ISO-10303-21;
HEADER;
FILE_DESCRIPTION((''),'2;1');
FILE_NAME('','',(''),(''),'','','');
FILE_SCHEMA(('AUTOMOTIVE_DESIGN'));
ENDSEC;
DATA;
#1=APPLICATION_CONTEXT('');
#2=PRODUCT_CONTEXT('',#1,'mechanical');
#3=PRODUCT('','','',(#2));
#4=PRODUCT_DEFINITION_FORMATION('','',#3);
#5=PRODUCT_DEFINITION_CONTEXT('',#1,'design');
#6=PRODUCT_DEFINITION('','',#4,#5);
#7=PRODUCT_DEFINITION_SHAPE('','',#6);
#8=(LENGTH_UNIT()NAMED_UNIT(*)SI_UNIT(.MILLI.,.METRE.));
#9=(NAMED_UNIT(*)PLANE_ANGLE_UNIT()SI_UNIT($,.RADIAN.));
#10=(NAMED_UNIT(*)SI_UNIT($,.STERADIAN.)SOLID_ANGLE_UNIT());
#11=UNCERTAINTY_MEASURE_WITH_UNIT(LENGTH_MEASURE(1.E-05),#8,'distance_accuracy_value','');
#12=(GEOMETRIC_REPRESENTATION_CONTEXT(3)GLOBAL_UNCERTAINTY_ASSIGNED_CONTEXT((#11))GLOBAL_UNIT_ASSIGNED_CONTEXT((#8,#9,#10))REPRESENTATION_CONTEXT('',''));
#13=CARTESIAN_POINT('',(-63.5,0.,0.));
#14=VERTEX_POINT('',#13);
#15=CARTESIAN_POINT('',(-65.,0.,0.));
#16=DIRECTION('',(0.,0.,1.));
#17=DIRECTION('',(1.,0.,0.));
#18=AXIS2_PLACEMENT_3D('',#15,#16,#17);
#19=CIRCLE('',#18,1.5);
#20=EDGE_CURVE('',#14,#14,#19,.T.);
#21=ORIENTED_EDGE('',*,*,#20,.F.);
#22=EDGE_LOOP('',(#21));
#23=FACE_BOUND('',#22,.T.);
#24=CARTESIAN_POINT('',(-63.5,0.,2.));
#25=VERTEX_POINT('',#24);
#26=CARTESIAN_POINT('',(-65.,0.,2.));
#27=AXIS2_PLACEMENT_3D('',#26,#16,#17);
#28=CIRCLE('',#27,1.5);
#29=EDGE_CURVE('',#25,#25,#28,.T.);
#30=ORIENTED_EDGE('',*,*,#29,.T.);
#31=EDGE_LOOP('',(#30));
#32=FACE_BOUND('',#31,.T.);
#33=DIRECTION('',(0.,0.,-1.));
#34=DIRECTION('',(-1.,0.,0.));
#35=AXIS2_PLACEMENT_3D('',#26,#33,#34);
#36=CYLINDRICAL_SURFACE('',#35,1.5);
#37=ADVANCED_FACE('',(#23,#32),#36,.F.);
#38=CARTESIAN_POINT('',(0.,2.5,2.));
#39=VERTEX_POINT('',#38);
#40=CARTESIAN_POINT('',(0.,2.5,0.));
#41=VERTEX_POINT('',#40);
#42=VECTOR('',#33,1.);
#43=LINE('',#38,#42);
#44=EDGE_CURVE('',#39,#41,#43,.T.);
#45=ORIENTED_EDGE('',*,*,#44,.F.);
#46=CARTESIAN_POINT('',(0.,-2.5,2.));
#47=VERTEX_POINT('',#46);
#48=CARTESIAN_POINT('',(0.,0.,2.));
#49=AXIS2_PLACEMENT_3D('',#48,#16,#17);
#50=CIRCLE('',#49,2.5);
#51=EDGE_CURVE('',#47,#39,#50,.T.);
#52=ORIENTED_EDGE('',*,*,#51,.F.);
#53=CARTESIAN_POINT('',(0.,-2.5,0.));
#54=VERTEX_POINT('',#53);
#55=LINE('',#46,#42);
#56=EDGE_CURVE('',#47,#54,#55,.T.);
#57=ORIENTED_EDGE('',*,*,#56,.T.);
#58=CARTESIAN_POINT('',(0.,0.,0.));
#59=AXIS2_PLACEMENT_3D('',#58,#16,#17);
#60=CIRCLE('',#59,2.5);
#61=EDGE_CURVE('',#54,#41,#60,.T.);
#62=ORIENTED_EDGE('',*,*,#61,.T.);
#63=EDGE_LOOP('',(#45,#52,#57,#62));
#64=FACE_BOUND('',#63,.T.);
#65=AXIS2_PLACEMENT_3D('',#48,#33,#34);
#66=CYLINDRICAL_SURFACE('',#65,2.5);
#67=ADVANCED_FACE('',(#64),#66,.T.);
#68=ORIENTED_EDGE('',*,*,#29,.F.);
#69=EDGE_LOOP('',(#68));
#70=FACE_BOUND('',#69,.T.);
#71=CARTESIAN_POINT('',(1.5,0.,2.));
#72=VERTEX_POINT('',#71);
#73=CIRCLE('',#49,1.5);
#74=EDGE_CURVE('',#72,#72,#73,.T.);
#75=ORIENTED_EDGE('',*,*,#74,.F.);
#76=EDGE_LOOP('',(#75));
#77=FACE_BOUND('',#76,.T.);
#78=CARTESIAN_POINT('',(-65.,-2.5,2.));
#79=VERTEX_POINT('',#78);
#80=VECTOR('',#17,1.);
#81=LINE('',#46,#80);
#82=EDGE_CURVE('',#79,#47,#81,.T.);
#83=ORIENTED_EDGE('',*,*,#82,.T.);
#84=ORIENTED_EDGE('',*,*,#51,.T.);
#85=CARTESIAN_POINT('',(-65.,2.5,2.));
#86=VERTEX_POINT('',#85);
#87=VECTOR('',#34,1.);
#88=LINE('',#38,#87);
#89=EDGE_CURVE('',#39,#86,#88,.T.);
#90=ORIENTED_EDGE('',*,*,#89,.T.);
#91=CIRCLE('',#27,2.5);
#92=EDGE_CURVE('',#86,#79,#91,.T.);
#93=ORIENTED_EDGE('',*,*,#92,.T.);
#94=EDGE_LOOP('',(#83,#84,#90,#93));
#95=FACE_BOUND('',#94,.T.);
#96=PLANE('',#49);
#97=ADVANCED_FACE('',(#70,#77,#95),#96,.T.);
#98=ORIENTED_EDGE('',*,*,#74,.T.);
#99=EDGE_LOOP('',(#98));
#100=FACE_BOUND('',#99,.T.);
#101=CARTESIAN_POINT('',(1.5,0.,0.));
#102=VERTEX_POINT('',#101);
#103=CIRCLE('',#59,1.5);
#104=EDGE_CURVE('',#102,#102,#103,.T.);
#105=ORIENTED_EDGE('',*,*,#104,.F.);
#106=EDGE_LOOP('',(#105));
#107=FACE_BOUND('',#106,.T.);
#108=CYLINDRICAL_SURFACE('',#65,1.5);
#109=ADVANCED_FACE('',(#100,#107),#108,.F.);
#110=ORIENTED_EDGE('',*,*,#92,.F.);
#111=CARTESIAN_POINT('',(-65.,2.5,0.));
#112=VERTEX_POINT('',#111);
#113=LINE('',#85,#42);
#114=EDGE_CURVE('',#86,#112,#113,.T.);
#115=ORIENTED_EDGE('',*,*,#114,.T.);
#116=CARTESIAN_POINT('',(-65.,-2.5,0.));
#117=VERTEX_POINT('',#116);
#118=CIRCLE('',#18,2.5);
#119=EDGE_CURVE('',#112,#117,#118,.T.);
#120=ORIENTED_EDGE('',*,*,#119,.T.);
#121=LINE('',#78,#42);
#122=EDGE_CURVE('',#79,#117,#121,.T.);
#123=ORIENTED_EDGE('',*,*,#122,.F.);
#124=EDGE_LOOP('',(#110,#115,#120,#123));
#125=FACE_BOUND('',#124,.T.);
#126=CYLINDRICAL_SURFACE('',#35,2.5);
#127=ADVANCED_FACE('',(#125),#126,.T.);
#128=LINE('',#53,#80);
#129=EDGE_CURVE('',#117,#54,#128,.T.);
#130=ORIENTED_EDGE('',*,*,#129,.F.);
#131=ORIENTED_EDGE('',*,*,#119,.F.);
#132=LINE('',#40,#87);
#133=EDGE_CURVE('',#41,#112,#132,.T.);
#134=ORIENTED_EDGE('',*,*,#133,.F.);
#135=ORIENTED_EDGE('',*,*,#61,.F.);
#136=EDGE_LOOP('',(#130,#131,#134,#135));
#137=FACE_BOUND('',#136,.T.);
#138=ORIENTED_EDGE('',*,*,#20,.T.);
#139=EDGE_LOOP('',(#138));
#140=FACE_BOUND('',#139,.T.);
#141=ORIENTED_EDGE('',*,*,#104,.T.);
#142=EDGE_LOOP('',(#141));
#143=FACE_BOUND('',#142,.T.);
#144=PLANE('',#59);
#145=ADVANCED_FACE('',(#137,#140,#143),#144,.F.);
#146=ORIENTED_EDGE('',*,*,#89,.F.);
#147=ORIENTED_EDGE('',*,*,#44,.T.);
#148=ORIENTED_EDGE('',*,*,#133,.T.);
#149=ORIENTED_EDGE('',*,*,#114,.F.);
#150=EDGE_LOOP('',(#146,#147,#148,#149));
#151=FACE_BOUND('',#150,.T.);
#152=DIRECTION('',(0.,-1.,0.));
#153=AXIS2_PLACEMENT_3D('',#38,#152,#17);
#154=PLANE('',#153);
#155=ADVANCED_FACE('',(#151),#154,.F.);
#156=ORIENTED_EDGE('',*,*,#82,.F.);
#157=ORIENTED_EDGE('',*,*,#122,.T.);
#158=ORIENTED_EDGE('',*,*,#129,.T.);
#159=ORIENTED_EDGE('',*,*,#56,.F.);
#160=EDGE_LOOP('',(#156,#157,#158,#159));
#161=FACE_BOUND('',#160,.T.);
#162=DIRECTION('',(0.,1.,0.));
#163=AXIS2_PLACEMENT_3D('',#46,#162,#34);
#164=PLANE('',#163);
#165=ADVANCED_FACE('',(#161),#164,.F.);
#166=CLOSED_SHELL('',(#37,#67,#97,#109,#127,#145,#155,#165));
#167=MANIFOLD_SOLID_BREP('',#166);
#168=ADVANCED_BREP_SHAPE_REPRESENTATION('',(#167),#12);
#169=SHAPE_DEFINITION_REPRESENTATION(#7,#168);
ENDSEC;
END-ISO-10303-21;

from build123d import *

# Parameters (mm, degrees)
SKETCH1_R           = 1.5
BOSS_EXTRUDE1_DEPTH = 2


with BuildPart() as part:
    # Sketch1 → Boss-Extrude1 (new body)
    with BuildSketch(Plane.XY):
        with BuildLine():
            Line((0, -2.5), (-65, -2.5))
            ThreePointArc((-65, -2.5), (-67.5, 0), (-65, 2.5))
            Line((-65, 2.5), (0, 2.5))
            ThreePointArc((0, 2.5), (2.5, 0), (0, -2.5))
        make_face()
        with Locations((-65, 0)):
            Circle(SKETCH1_R, mode=Mode.SUBTRACT)
        Circle(SKETCH1_R, mode=Mode.SUBTRACT)
    extrude(amount=BOSS_EXTRUDE1_DEPTH)


solid = part.part
